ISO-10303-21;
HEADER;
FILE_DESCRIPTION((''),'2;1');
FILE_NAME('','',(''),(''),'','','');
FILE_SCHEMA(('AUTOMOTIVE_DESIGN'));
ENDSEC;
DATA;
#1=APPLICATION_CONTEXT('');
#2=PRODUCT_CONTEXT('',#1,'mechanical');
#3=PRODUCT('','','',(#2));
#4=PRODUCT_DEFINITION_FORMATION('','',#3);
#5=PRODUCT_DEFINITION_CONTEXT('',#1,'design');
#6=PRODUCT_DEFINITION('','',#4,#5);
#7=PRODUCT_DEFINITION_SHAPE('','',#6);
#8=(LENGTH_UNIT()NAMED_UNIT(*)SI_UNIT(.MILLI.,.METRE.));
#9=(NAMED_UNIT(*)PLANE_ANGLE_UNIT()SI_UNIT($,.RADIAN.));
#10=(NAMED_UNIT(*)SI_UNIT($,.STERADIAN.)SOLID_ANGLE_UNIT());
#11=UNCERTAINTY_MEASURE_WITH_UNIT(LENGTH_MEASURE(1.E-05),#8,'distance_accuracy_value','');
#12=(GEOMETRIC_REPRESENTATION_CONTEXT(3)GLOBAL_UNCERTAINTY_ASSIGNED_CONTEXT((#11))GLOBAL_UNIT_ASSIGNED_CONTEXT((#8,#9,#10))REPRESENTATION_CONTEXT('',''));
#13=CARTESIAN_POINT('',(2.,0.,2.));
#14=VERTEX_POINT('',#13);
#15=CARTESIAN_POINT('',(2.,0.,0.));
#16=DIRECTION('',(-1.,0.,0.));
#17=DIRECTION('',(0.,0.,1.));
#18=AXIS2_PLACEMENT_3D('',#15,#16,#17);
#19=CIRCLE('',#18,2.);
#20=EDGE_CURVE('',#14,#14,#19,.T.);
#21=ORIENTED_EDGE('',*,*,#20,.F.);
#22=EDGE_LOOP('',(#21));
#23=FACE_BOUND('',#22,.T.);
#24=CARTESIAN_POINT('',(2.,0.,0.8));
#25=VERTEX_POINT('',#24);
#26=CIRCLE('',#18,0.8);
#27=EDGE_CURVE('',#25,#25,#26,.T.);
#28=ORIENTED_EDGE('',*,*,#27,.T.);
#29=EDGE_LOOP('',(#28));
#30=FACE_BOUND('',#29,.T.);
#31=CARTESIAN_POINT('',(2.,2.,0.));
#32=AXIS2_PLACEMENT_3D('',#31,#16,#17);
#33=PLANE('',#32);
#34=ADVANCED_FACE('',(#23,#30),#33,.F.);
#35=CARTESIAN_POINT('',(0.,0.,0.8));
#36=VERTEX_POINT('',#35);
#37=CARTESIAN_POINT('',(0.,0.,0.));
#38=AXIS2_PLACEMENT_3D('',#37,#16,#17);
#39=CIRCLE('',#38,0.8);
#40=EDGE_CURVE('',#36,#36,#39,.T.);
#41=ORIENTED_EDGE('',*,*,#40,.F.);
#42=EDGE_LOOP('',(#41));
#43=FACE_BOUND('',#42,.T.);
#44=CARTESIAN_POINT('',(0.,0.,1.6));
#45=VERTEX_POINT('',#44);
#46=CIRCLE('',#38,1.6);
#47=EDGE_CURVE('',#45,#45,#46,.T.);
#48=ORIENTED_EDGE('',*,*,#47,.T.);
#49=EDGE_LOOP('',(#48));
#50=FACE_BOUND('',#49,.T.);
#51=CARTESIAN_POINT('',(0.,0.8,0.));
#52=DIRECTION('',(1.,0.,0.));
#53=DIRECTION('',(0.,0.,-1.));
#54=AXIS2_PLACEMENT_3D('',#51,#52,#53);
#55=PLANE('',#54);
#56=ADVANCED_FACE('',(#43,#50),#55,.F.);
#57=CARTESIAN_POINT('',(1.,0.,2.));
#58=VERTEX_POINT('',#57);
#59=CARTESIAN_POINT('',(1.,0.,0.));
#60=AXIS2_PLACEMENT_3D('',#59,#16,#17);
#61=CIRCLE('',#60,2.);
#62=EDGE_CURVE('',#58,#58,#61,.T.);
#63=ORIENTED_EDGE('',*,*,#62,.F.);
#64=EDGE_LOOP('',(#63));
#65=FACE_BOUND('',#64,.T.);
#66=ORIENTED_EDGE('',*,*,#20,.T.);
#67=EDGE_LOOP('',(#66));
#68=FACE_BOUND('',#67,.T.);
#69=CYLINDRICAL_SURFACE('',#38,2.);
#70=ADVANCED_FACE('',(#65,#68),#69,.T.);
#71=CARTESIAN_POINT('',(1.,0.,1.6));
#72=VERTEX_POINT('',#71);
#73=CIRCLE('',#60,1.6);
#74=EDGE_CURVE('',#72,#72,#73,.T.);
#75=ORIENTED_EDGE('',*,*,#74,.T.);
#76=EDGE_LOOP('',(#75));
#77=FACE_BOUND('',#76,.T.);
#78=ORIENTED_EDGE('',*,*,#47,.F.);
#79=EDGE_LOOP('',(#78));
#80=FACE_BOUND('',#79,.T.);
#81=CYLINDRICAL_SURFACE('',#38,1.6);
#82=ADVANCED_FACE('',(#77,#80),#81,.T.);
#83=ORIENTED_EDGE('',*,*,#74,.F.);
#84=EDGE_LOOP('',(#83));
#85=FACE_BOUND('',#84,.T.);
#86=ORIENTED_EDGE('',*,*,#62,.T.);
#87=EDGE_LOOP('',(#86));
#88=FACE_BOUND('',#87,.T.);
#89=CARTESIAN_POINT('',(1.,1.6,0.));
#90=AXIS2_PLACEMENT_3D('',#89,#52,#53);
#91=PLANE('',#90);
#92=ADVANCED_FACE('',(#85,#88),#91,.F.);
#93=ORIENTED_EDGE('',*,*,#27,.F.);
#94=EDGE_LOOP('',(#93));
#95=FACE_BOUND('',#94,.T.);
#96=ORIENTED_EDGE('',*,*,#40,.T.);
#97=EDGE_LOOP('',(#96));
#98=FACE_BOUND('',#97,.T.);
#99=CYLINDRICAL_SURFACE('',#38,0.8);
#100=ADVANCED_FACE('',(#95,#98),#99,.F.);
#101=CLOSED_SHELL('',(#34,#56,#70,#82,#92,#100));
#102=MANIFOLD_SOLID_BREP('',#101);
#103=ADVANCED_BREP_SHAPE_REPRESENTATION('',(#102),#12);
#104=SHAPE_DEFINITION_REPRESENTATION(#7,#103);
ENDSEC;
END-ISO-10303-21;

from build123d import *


with BuildPart() as part:
    # Эскиз1 → Повернуть1 (revolve)
    with BuildSketch(Plane.XY, mode=Mode.PRIVATE) as revolve_1_sk:
        Polygon((0, 0.8), (0, 1.6), (1, 1.6), (1, 2), (2, 2), (2, 0.8), align=None)
    revolve(revolve_1_sk.sketch.rotate(Axis((0, 0, 0), (1, 0, 0)), 90), axis=Axis((0, 0, 0), (1, 0, 0)))


solid = part.part
